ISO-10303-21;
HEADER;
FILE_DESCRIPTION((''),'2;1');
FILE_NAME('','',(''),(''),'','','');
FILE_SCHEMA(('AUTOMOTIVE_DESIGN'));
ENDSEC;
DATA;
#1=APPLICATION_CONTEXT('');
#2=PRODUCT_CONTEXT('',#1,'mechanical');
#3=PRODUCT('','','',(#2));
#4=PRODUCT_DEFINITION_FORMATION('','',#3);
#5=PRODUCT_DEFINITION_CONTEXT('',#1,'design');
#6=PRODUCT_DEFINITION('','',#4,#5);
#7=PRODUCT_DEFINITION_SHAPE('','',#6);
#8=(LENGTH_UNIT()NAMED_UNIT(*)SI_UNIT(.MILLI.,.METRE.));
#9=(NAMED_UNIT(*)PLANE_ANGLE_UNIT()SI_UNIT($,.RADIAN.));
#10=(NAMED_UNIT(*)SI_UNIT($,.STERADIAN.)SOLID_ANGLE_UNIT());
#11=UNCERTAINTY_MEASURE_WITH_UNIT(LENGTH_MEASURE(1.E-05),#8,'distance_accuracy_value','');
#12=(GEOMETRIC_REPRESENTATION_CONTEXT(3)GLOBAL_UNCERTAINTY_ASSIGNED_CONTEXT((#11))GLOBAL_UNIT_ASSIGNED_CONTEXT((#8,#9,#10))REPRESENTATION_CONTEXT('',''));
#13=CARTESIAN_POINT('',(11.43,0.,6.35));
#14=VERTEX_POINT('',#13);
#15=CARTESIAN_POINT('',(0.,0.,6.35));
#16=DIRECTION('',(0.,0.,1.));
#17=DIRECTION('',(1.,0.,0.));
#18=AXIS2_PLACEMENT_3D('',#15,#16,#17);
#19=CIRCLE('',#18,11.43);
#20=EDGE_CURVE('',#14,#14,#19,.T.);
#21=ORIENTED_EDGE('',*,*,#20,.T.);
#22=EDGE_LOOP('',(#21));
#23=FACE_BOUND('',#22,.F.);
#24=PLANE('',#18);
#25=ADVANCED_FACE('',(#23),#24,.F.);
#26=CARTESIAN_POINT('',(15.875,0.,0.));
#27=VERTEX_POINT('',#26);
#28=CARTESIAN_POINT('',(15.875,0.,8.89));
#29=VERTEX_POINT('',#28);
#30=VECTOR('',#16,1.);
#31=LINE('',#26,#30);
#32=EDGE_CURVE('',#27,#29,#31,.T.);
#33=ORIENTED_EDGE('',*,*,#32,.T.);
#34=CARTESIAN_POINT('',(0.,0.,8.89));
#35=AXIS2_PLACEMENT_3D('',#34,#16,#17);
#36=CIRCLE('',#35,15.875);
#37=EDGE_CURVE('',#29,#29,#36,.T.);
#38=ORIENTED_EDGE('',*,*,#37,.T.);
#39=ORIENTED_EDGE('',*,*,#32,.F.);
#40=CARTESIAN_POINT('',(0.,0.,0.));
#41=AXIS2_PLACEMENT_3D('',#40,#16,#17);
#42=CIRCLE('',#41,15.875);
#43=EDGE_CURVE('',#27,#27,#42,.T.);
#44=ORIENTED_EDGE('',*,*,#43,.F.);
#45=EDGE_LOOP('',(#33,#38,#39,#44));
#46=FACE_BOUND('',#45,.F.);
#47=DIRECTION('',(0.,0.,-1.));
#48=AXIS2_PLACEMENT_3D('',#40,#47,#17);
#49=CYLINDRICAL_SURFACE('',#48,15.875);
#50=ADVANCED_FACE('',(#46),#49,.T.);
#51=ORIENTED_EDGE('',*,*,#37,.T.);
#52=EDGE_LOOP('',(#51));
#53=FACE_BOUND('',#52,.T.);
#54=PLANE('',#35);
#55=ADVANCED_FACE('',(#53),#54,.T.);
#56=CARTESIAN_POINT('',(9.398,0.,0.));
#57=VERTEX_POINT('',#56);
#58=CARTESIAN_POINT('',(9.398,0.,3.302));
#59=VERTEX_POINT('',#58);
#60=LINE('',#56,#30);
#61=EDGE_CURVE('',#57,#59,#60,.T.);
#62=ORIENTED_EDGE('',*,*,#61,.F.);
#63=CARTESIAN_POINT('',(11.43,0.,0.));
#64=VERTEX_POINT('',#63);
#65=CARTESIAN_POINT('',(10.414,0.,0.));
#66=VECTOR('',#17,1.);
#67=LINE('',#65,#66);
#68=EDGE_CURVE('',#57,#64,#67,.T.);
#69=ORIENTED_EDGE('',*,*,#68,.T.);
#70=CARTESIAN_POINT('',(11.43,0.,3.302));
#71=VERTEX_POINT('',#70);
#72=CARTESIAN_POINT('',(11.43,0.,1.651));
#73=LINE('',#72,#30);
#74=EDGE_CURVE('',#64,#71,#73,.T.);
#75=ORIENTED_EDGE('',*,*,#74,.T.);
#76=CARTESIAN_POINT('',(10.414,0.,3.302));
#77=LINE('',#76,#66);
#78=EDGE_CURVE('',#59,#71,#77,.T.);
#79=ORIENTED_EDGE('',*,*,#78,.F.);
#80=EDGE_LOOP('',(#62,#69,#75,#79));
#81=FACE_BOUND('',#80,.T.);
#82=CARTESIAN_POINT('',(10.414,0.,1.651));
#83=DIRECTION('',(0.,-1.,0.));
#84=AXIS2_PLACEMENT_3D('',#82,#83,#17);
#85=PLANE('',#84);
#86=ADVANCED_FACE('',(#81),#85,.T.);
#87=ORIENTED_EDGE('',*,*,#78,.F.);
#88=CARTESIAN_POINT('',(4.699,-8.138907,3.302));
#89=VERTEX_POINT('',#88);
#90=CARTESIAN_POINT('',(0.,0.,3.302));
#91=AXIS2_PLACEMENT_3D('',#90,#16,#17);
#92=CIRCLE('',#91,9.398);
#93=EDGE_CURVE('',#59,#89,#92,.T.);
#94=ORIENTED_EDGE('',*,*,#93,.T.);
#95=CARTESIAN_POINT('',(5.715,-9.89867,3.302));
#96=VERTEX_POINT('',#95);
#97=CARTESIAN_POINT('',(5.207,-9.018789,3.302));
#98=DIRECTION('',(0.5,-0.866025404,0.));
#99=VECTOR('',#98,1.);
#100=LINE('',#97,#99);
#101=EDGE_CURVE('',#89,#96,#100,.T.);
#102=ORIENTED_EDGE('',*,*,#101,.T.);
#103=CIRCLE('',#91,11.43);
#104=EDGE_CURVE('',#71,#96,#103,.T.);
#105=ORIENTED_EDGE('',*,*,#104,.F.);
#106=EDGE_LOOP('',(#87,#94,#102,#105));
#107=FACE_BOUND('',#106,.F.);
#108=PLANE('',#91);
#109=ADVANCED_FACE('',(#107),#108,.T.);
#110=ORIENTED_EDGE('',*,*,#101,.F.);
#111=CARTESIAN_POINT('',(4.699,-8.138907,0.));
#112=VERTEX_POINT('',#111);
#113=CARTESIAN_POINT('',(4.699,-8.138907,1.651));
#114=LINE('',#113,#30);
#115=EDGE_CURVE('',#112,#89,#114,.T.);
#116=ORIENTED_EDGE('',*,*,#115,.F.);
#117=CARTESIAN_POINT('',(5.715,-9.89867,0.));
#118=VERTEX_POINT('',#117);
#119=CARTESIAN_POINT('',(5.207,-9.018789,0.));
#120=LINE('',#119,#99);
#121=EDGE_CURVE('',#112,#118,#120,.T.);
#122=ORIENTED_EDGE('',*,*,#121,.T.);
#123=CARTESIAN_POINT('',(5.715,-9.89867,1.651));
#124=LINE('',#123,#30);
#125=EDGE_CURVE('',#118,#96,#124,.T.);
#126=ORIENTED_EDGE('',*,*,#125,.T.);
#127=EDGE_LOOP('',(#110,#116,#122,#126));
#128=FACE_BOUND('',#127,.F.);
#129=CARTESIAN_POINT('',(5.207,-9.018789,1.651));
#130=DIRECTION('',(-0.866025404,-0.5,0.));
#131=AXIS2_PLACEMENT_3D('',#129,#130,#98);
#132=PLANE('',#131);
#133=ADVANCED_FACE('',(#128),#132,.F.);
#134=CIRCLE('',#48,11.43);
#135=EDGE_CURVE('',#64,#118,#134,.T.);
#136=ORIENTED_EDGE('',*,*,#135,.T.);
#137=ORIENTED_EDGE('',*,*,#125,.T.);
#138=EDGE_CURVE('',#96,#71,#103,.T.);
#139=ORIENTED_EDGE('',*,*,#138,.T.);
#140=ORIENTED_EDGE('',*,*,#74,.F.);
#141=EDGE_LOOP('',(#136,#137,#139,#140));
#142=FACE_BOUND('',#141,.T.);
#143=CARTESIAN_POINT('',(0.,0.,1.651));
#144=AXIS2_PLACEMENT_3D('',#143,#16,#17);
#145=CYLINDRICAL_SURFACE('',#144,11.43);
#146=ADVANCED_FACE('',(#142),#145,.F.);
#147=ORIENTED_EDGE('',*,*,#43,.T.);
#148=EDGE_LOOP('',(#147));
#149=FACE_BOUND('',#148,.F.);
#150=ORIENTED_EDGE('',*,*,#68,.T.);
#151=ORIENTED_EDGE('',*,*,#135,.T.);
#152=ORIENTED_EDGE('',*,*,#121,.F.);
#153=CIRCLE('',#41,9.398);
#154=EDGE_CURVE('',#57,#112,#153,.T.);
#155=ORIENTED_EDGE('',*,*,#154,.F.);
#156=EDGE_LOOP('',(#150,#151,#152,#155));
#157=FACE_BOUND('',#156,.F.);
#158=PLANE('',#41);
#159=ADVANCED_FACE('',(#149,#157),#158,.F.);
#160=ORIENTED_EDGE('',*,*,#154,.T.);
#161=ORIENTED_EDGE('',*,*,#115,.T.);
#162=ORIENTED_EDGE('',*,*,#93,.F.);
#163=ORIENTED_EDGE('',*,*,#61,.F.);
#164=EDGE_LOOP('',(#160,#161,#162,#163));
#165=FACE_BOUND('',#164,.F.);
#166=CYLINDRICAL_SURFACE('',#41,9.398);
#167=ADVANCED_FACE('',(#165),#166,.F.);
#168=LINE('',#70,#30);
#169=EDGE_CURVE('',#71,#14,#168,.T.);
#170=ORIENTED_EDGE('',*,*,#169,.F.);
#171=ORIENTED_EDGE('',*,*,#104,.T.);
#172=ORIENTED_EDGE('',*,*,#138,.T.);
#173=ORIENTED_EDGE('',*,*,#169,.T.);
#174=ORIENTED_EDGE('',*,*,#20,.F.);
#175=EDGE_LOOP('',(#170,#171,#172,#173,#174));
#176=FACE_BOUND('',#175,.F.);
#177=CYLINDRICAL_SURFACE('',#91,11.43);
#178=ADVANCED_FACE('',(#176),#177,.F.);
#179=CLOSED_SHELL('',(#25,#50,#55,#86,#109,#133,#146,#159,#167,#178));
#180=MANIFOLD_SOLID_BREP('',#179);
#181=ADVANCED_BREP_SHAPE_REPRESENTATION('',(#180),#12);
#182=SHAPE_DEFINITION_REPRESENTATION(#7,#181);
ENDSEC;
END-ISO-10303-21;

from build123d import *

# Parameters (mm, degrees)
F0_R     = 15.875
F1_DEPTH = 8.89
F4_W     = 2.032
F4_H     = 3.302
F5_ANGLE = -60


with BuildPart() as f1:
    # F0 (on Top) → F1 (new body)
    with BuildSketch(Plane.XY):
        Circle(F0_R)
    extrude(amount=F1_DEPTH)

    # F2 (on Front) → F3 (revolve, cut)
    with BuildSketch(Plane.XZ):
        Polygon((11.43, 6.35), (0, 6.35), (0, 0), (9.398, 0), (9.398, 3.302), (11.43, 3.302), align=None)
    revolve(axis=Axis((0, 0, 3.175), (0, 0, 1)), mode=Mode.SUBTRACT)

    # F4 (on Front) → F5 (revolve, cut)
    with BuildSketch(Plane.XZ):
        with Locations((10.414, 1.651)):
            Rectangle(F4_W, F4_H)
    revolve(axis=Axis((0, 0, 3.175), (0, 0, 1)), revolution_arc=F5_ANGLE, mode=Mode.SUBTRACT)


solid = f1.part
